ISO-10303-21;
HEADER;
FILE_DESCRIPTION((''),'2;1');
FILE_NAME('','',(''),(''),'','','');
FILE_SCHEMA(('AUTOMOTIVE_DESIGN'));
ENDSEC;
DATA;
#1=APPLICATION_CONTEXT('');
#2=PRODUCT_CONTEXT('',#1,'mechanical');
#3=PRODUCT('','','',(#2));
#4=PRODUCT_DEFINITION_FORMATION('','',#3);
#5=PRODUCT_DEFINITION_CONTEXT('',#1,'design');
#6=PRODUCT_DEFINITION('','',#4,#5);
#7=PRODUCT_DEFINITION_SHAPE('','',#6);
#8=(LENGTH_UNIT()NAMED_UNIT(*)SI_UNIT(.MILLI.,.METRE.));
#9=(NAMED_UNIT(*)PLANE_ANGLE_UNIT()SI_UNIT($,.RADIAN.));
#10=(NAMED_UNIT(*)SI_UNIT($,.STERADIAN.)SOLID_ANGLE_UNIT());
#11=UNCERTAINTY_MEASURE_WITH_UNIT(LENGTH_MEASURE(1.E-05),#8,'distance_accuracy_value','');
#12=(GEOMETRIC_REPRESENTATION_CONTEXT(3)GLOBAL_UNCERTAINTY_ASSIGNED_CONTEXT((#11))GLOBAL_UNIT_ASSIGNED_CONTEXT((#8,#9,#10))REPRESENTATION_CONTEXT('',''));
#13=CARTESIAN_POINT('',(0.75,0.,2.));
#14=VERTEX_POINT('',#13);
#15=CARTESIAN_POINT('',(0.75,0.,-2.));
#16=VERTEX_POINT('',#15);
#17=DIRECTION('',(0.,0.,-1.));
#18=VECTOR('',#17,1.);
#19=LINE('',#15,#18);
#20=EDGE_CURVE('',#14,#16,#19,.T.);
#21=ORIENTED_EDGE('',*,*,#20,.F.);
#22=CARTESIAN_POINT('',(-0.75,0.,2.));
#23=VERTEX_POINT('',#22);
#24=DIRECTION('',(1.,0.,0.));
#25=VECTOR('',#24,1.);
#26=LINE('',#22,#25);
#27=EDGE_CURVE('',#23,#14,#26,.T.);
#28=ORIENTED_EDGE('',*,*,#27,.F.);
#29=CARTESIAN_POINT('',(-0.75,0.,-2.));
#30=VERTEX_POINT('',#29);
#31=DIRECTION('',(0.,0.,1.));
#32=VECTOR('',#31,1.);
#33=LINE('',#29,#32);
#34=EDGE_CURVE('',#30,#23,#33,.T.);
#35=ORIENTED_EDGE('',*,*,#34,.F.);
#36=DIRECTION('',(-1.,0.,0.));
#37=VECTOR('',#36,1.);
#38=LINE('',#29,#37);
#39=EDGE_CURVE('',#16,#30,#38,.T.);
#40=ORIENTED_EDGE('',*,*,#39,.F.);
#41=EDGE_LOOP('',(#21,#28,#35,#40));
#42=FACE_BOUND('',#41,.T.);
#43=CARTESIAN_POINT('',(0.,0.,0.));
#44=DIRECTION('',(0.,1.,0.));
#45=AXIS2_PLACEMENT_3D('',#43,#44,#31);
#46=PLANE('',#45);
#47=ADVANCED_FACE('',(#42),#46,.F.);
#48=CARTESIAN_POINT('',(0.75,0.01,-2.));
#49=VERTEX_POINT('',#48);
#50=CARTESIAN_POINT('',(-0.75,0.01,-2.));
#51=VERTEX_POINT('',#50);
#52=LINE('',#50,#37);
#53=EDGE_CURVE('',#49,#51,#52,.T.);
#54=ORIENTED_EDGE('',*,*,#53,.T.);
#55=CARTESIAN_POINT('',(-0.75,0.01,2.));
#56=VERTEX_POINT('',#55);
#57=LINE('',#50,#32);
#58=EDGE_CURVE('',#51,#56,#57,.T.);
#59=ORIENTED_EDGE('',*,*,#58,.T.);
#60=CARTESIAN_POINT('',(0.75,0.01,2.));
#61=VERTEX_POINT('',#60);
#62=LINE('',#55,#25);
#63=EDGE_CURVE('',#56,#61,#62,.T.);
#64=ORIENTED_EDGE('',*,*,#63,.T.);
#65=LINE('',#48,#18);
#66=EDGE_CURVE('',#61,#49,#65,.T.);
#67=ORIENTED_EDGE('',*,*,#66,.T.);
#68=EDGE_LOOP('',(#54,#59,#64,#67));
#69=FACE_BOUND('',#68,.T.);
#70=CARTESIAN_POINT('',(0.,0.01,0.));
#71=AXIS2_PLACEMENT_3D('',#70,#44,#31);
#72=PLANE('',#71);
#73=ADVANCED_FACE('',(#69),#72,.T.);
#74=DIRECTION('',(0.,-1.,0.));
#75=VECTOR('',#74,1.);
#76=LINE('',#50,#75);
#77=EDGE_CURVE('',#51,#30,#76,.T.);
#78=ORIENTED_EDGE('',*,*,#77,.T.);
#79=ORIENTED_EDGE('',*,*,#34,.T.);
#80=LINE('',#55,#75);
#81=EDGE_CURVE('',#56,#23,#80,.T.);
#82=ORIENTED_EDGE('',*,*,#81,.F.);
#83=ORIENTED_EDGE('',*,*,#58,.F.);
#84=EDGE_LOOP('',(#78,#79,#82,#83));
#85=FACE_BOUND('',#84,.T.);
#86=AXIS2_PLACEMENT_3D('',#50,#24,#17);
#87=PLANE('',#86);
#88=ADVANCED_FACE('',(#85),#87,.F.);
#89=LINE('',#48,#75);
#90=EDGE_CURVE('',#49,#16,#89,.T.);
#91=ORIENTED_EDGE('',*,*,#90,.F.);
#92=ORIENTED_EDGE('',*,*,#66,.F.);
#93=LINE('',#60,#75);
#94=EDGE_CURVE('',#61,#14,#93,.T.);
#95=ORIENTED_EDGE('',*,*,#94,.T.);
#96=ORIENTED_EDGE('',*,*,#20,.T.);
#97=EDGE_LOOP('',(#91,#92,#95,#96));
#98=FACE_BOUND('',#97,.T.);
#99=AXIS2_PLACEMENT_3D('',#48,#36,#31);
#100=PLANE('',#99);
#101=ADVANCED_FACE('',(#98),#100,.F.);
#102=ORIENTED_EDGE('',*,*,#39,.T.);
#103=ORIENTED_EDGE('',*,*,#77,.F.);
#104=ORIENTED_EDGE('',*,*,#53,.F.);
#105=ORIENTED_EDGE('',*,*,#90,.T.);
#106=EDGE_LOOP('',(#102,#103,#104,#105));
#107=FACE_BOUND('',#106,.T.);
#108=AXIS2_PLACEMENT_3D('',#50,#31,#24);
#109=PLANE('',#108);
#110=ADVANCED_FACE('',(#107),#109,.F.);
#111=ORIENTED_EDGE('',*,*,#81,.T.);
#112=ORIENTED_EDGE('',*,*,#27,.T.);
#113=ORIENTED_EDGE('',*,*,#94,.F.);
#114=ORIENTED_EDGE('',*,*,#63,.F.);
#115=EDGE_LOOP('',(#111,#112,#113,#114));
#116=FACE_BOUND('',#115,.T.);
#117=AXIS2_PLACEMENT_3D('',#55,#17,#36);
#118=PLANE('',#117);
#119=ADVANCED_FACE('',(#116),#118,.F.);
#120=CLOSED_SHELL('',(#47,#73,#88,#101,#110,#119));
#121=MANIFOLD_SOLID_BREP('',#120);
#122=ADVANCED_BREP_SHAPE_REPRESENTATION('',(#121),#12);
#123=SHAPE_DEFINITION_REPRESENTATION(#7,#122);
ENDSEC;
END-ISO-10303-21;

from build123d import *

# Parameters (mm, degrees)
SKETCH1_W           = 1.5
SKETCH1_H           = 4
BOSS_EXTRUDE1_DEPTH = 0.01


with BuildPart() as part:
    # Sketch1 → Boss-Extrude1 (new body)
    with BuildSketch(Plane(origin=(0, 0, 0), x_dir=(1, 0, 0), z_dir=(0, 1, 0))):
        Rectangle(SKETCH1_W, SKETCH1_H)
    extrude(amount=BOSS_EXTRUDE1_DEPTH)


solid = part.part
